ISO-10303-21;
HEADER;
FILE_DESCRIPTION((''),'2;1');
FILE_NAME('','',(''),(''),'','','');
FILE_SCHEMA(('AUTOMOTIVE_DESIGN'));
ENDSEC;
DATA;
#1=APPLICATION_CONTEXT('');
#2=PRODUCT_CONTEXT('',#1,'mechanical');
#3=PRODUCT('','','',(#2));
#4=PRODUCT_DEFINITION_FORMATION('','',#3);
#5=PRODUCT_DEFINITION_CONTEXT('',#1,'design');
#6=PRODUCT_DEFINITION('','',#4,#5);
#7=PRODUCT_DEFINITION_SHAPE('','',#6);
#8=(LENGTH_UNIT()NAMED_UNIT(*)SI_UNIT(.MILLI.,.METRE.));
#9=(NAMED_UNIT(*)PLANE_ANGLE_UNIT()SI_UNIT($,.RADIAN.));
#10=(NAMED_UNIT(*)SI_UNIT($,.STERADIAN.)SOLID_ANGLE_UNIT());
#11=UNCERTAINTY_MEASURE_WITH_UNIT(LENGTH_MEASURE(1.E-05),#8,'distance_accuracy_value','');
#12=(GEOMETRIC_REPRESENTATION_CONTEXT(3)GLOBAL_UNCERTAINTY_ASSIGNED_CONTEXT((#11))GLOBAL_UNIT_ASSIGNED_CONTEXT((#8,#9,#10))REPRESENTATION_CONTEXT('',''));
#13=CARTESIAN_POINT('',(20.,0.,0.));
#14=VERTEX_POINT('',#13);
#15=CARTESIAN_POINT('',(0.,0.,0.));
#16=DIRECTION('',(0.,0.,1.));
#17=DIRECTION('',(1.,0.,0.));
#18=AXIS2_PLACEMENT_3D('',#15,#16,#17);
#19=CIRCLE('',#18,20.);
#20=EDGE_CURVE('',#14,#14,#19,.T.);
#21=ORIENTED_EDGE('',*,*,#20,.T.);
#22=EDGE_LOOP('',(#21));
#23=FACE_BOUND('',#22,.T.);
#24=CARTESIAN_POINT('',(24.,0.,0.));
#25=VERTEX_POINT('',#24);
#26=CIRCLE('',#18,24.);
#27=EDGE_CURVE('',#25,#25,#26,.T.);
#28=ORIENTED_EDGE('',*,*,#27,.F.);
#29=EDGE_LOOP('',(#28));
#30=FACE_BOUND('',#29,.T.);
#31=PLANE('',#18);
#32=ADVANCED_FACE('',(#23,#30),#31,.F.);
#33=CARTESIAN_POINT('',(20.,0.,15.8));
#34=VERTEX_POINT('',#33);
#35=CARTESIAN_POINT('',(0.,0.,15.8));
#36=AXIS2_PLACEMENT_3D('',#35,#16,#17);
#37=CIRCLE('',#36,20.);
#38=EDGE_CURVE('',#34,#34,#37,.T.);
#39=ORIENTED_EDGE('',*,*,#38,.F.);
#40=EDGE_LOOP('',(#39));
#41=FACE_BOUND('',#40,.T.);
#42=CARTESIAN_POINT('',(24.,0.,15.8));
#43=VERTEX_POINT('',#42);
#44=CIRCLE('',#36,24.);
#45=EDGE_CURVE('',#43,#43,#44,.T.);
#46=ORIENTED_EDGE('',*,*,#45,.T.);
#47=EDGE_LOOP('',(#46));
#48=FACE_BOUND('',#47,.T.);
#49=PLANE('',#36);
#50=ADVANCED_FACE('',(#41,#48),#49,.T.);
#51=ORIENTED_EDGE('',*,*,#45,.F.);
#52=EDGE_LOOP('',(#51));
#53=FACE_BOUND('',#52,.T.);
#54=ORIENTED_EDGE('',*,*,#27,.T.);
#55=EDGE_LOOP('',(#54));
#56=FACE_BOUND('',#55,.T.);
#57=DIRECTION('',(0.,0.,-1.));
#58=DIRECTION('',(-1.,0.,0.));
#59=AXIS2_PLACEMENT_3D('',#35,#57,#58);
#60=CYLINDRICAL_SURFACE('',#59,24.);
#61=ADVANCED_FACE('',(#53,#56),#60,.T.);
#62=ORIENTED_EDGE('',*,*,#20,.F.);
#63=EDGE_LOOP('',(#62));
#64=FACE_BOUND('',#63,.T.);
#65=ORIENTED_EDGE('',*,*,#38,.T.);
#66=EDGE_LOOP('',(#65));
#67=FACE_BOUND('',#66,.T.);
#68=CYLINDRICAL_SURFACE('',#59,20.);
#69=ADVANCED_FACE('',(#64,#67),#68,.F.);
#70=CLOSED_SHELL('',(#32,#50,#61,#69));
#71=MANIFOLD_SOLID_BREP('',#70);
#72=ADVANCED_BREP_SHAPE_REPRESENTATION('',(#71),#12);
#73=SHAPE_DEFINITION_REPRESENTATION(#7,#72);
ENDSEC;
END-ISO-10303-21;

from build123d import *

# Parameters (mm, degrees)
SKETCH1_R           = 24
SKETCH1_R_2         = 20
BOSS_EXTRUDE1_DEPTH = 15.8


with BuildPart() as part:
    # Sketch1 → Boss-Extrude1 (new body)
    with BuildSketch(Plane.XY):
        Circle(SKETCH1_R)
        Circle(SKETCH1_R_2, mode=Mode.SUBTRACT)
    extrude(amount=BOSS_EXTRUDE1_DEPTH)


solid = part.part
